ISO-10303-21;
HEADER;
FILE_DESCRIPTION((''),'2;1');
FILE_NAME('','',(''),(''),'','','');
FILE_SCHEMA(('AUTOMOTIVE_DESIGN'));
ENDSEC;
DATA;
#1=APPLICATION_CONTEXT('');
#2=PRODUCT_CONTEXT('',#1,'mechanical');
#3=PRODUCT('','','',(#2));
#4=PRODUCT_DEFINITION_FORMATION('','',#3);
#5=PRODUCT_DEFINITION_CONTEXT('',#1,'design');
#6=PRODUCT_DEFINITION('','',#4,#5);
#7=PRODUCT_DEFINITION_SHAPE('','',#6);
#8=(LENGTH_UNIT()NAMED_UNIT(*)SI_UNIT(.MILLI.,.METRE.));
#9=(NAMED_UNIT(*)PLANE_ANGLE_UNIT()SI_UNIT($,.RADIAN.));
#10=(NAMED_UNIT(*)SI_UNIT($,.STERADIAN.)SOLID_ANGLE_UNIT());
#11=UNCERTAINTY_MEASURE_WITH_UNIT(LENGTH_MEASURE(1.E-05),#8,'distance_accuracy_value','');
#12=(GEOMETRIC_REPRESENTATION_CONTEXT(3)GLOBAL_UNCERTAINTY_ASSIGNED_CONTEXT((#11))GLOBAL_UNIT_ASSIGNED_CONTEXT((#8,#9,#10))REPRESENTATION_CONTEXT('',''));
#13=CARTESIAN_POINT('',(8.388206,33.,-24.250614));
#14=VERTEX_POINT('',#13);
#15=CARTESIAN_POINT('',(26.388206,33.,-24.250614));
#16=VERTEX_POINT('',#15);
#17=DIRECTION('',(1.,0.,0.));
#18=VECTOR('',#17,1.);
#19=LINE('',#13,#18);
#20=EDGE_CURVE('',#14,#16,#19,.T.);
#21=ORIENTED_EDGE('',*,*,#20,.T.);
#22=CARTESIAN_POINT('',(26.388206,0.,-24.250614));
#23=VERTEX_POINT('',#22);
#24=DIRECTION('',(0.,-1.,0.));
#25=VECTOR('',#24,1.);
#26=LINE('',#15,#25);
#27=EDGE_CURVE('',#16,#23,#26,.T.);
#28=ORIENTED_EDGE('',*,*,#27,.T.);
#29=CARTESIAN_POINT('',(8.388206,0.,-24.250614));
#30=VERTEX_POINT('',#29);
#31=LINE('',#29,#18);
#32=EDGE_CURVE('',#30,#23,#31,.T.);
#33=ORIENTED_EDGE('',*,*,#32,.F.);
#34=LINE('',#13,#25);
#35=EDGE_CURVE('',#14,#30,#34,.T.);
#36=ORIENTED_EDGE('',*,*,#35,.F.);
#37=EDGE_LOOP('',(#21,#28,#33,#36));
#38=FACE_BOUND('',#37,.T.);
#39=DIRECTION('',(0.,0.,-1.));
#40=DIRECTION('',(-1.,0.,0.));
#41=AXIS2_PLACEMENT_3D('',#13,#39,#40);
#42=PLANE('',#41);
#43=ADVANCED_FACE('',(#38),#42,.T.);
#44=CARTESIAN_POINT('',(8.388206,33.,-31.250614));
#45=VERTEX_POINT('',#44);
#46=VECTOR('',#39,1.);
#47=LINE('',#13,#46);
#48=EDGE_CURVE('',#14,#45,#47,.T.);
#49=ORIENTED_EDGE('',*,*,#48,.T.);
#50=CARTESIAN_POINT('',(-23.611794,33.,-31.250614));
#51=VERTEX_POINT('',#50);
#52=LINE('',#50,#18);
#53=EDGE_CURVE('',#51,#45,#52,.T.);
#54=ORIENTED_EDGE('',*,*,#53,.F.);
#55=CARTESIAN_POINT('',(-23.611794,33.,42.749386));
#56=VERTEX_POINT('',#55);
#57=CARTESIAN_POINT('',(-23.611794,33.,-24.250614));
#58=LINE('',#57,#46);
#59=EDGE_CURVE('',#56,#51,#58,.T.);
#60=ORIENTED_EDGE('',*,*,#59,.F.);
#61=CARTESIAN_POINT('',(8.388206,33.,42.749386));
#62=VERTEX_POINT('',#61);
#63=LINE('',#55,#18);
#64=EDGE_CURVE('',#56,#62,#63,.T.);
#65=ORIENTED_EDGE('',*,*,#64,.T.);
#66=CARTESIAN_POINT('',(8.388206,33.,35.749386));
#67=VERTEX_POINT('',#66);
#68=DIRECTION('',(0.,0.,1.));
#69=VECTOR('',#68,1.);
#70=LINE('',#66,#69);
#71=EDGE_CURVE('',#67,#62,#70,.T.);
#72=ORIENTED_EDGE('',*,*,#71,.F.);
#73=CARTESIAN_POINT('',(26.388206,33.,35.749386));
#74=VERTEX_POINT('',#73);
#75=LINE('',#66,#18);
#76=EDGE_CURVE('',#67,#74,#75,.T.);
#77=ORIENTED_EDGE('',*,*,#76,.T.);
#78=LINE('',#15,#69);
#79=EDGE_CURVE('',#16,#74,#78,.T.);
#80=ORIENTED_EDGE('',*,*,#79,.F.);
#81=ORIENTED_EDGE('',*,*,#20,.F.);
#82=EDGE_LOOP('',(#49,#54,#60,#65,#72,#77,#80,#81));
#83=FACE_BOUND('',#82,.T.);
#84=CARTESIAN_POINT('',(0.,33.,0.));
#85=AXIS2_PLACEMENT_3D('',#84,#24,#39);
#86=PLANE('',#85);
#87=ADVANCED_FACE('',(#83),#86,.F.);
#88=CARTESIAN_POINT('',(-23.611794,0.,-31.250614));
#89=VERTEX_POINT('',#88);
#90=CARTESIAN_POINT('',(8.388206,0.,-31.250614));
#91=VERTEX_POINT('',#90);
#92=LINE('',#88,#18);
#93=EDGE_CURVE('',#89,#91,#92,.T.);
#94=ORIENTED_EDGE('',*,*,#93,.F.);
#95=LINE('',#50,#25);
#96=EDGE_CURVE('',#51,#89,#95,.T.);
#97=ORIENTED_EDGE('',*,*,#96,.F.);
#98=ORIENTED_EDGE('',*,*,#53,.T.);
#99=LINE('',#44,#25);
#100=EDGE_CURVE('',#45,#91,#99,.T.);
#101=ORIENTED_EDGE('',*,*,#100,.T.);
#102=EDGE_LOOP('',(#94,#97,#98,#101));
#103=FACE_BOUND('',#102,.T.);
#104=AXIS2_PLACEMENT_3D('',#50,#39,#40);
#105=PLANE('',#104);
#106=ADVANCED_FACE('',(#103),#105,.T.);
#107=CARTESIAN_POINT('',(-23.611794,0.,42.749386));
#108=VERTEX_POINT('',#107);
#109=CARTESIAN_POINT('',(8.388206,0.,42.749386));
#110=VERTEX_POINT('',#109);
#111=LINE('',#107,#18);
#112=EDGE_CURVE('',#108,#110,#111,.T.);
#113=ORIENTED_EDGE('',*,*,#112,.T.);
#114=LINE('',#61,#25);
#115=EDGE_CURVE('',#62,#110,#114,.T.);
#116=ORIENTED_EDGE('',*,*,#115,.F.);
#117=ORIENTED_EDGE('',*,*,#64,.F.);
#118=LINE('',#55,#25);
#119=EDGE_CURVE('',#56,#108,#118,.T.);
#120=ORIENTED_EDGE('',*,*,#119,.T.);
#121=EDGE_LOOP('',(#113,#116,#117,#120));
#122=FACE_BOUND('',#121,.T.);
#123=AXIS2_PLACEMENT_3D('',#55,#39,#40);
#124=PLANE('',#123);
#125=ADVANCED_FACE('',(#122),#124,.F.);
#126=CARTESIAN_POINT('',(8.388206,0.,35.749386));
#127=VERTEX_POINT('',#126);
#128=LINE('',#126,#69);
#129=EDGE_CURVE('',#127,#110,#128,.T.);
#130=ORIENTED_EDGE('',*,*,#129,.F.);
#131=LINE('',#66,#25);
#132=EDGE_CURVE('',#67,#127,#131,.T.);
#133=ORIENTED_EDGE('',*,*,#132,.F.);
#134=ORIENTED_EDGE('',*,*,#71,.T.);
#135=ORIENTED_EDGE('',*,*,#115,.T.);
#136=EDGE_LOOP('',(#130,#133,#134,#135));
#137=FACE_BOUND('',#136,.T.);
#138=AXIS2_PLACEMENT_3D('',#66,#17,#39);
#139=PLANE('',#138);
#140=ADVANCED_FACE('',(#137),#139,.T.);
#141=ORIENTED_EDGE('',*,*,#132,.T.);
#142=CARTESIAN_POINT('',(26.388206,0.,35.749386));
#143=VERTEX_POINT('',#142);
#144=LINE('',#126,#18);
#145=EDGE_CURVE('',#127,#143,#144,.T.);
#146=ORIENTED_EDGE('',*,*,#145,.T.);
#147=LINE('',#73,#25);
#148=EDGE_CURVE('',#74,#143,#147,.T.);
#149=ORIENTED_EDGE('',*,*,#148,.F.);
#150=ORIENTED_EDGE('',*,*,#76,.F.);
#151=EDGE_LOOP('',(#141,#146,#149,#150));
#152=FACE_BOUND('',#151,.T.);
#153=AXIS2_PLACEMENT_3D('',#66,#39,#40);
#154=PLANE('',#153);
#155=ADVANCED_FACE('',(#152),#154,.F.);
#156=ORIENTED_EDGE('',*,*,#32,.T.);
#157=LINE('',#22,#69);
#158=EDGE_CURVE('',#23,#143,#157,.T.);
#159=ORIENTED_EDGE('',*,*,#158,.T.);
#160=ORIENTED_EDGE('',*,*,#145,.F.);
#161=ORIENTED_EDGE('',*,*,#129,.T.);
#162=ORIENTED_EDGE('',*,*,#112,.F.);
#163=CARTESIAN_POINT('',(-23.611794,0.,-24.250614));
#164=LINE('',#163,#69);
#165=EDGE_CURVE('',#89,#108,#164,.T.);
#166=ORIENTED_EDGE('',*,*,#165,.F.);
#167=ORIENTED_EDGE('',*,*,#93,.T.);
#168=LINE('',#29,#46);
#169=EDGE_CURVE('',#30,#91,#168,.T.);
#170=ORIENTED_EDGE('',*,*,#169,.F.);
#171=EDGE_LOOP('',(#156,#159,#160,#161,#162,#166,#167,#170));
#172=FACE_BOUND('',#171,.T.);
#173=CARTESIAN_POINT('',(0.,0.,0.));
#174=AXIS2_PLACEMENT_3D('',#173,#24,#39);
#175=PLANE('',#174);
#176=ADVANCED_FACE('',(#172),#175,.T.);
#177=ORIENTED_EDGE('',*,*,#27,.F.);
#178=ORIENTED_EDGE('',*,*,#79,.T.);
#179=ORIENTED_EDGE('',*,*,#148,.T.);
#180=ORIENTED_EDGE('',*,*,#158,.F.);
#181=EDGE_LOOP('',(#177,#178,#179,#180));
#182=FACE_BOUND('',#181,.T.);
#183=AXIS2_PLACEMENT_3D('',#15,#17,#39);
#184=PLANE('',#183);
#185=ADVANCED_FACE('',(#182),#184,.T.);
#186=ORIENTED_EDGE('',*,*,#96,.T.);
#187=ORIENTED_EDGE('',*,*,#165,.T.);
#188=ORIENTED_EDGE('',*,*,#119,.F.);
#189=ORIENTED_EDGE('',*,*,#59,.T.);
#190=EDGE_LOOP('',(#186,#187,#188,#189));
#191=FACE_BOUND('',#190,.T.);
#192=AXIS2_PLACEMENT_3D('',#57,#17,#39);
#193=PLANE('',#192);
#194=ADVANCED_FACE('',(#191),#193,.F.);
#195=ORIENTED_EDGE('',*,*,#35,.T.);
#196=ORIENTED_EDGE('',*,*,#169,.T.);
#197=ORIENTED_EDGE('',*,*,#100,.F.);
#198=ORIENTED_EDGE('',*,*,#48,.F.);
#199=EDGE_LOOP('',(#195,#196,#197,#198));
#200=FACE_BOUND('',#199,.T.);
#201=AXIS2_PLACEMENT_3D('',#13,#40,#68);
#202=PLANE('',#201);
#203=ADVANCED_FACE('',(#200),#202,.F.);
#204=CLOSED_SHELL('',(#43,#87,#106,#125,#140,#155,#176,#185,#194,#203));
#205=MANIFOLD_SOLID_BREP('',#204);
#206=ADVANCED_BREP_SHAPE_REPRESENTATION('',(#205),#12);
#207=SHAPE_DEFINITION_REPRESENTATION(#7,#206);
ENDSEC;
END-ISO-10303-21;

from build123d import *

# Parameters (mm, degrees)
BOSS_EXTRU_1_DEPTH = 33


with BuildPart() as part:
    # Esquisse1 → Boss.-Extru.1 (new body)
    with BuildSketch(Plane(origin=(0, 0, 0), x_dir=(1, 0, 0), z_dir=(0, 1, 0))):
        Polygon((8.388206388, 24.250614251), (26.388206388, 24.250614251), (26.388206388, -35.749385749), (8.388206388, -35.749385749), (8.388206388, -42.749385749), (-23.611793612, -42.749385749), (-23.611793612, -35.749385749), (-23.611793612, 24.250614251), (-23.611793612, 31.250614251), (8.388206388, 31.250614251), align=None)
    extrude(amount=BOSS_EXTRU_1_DEPTH)


solid = part.part
